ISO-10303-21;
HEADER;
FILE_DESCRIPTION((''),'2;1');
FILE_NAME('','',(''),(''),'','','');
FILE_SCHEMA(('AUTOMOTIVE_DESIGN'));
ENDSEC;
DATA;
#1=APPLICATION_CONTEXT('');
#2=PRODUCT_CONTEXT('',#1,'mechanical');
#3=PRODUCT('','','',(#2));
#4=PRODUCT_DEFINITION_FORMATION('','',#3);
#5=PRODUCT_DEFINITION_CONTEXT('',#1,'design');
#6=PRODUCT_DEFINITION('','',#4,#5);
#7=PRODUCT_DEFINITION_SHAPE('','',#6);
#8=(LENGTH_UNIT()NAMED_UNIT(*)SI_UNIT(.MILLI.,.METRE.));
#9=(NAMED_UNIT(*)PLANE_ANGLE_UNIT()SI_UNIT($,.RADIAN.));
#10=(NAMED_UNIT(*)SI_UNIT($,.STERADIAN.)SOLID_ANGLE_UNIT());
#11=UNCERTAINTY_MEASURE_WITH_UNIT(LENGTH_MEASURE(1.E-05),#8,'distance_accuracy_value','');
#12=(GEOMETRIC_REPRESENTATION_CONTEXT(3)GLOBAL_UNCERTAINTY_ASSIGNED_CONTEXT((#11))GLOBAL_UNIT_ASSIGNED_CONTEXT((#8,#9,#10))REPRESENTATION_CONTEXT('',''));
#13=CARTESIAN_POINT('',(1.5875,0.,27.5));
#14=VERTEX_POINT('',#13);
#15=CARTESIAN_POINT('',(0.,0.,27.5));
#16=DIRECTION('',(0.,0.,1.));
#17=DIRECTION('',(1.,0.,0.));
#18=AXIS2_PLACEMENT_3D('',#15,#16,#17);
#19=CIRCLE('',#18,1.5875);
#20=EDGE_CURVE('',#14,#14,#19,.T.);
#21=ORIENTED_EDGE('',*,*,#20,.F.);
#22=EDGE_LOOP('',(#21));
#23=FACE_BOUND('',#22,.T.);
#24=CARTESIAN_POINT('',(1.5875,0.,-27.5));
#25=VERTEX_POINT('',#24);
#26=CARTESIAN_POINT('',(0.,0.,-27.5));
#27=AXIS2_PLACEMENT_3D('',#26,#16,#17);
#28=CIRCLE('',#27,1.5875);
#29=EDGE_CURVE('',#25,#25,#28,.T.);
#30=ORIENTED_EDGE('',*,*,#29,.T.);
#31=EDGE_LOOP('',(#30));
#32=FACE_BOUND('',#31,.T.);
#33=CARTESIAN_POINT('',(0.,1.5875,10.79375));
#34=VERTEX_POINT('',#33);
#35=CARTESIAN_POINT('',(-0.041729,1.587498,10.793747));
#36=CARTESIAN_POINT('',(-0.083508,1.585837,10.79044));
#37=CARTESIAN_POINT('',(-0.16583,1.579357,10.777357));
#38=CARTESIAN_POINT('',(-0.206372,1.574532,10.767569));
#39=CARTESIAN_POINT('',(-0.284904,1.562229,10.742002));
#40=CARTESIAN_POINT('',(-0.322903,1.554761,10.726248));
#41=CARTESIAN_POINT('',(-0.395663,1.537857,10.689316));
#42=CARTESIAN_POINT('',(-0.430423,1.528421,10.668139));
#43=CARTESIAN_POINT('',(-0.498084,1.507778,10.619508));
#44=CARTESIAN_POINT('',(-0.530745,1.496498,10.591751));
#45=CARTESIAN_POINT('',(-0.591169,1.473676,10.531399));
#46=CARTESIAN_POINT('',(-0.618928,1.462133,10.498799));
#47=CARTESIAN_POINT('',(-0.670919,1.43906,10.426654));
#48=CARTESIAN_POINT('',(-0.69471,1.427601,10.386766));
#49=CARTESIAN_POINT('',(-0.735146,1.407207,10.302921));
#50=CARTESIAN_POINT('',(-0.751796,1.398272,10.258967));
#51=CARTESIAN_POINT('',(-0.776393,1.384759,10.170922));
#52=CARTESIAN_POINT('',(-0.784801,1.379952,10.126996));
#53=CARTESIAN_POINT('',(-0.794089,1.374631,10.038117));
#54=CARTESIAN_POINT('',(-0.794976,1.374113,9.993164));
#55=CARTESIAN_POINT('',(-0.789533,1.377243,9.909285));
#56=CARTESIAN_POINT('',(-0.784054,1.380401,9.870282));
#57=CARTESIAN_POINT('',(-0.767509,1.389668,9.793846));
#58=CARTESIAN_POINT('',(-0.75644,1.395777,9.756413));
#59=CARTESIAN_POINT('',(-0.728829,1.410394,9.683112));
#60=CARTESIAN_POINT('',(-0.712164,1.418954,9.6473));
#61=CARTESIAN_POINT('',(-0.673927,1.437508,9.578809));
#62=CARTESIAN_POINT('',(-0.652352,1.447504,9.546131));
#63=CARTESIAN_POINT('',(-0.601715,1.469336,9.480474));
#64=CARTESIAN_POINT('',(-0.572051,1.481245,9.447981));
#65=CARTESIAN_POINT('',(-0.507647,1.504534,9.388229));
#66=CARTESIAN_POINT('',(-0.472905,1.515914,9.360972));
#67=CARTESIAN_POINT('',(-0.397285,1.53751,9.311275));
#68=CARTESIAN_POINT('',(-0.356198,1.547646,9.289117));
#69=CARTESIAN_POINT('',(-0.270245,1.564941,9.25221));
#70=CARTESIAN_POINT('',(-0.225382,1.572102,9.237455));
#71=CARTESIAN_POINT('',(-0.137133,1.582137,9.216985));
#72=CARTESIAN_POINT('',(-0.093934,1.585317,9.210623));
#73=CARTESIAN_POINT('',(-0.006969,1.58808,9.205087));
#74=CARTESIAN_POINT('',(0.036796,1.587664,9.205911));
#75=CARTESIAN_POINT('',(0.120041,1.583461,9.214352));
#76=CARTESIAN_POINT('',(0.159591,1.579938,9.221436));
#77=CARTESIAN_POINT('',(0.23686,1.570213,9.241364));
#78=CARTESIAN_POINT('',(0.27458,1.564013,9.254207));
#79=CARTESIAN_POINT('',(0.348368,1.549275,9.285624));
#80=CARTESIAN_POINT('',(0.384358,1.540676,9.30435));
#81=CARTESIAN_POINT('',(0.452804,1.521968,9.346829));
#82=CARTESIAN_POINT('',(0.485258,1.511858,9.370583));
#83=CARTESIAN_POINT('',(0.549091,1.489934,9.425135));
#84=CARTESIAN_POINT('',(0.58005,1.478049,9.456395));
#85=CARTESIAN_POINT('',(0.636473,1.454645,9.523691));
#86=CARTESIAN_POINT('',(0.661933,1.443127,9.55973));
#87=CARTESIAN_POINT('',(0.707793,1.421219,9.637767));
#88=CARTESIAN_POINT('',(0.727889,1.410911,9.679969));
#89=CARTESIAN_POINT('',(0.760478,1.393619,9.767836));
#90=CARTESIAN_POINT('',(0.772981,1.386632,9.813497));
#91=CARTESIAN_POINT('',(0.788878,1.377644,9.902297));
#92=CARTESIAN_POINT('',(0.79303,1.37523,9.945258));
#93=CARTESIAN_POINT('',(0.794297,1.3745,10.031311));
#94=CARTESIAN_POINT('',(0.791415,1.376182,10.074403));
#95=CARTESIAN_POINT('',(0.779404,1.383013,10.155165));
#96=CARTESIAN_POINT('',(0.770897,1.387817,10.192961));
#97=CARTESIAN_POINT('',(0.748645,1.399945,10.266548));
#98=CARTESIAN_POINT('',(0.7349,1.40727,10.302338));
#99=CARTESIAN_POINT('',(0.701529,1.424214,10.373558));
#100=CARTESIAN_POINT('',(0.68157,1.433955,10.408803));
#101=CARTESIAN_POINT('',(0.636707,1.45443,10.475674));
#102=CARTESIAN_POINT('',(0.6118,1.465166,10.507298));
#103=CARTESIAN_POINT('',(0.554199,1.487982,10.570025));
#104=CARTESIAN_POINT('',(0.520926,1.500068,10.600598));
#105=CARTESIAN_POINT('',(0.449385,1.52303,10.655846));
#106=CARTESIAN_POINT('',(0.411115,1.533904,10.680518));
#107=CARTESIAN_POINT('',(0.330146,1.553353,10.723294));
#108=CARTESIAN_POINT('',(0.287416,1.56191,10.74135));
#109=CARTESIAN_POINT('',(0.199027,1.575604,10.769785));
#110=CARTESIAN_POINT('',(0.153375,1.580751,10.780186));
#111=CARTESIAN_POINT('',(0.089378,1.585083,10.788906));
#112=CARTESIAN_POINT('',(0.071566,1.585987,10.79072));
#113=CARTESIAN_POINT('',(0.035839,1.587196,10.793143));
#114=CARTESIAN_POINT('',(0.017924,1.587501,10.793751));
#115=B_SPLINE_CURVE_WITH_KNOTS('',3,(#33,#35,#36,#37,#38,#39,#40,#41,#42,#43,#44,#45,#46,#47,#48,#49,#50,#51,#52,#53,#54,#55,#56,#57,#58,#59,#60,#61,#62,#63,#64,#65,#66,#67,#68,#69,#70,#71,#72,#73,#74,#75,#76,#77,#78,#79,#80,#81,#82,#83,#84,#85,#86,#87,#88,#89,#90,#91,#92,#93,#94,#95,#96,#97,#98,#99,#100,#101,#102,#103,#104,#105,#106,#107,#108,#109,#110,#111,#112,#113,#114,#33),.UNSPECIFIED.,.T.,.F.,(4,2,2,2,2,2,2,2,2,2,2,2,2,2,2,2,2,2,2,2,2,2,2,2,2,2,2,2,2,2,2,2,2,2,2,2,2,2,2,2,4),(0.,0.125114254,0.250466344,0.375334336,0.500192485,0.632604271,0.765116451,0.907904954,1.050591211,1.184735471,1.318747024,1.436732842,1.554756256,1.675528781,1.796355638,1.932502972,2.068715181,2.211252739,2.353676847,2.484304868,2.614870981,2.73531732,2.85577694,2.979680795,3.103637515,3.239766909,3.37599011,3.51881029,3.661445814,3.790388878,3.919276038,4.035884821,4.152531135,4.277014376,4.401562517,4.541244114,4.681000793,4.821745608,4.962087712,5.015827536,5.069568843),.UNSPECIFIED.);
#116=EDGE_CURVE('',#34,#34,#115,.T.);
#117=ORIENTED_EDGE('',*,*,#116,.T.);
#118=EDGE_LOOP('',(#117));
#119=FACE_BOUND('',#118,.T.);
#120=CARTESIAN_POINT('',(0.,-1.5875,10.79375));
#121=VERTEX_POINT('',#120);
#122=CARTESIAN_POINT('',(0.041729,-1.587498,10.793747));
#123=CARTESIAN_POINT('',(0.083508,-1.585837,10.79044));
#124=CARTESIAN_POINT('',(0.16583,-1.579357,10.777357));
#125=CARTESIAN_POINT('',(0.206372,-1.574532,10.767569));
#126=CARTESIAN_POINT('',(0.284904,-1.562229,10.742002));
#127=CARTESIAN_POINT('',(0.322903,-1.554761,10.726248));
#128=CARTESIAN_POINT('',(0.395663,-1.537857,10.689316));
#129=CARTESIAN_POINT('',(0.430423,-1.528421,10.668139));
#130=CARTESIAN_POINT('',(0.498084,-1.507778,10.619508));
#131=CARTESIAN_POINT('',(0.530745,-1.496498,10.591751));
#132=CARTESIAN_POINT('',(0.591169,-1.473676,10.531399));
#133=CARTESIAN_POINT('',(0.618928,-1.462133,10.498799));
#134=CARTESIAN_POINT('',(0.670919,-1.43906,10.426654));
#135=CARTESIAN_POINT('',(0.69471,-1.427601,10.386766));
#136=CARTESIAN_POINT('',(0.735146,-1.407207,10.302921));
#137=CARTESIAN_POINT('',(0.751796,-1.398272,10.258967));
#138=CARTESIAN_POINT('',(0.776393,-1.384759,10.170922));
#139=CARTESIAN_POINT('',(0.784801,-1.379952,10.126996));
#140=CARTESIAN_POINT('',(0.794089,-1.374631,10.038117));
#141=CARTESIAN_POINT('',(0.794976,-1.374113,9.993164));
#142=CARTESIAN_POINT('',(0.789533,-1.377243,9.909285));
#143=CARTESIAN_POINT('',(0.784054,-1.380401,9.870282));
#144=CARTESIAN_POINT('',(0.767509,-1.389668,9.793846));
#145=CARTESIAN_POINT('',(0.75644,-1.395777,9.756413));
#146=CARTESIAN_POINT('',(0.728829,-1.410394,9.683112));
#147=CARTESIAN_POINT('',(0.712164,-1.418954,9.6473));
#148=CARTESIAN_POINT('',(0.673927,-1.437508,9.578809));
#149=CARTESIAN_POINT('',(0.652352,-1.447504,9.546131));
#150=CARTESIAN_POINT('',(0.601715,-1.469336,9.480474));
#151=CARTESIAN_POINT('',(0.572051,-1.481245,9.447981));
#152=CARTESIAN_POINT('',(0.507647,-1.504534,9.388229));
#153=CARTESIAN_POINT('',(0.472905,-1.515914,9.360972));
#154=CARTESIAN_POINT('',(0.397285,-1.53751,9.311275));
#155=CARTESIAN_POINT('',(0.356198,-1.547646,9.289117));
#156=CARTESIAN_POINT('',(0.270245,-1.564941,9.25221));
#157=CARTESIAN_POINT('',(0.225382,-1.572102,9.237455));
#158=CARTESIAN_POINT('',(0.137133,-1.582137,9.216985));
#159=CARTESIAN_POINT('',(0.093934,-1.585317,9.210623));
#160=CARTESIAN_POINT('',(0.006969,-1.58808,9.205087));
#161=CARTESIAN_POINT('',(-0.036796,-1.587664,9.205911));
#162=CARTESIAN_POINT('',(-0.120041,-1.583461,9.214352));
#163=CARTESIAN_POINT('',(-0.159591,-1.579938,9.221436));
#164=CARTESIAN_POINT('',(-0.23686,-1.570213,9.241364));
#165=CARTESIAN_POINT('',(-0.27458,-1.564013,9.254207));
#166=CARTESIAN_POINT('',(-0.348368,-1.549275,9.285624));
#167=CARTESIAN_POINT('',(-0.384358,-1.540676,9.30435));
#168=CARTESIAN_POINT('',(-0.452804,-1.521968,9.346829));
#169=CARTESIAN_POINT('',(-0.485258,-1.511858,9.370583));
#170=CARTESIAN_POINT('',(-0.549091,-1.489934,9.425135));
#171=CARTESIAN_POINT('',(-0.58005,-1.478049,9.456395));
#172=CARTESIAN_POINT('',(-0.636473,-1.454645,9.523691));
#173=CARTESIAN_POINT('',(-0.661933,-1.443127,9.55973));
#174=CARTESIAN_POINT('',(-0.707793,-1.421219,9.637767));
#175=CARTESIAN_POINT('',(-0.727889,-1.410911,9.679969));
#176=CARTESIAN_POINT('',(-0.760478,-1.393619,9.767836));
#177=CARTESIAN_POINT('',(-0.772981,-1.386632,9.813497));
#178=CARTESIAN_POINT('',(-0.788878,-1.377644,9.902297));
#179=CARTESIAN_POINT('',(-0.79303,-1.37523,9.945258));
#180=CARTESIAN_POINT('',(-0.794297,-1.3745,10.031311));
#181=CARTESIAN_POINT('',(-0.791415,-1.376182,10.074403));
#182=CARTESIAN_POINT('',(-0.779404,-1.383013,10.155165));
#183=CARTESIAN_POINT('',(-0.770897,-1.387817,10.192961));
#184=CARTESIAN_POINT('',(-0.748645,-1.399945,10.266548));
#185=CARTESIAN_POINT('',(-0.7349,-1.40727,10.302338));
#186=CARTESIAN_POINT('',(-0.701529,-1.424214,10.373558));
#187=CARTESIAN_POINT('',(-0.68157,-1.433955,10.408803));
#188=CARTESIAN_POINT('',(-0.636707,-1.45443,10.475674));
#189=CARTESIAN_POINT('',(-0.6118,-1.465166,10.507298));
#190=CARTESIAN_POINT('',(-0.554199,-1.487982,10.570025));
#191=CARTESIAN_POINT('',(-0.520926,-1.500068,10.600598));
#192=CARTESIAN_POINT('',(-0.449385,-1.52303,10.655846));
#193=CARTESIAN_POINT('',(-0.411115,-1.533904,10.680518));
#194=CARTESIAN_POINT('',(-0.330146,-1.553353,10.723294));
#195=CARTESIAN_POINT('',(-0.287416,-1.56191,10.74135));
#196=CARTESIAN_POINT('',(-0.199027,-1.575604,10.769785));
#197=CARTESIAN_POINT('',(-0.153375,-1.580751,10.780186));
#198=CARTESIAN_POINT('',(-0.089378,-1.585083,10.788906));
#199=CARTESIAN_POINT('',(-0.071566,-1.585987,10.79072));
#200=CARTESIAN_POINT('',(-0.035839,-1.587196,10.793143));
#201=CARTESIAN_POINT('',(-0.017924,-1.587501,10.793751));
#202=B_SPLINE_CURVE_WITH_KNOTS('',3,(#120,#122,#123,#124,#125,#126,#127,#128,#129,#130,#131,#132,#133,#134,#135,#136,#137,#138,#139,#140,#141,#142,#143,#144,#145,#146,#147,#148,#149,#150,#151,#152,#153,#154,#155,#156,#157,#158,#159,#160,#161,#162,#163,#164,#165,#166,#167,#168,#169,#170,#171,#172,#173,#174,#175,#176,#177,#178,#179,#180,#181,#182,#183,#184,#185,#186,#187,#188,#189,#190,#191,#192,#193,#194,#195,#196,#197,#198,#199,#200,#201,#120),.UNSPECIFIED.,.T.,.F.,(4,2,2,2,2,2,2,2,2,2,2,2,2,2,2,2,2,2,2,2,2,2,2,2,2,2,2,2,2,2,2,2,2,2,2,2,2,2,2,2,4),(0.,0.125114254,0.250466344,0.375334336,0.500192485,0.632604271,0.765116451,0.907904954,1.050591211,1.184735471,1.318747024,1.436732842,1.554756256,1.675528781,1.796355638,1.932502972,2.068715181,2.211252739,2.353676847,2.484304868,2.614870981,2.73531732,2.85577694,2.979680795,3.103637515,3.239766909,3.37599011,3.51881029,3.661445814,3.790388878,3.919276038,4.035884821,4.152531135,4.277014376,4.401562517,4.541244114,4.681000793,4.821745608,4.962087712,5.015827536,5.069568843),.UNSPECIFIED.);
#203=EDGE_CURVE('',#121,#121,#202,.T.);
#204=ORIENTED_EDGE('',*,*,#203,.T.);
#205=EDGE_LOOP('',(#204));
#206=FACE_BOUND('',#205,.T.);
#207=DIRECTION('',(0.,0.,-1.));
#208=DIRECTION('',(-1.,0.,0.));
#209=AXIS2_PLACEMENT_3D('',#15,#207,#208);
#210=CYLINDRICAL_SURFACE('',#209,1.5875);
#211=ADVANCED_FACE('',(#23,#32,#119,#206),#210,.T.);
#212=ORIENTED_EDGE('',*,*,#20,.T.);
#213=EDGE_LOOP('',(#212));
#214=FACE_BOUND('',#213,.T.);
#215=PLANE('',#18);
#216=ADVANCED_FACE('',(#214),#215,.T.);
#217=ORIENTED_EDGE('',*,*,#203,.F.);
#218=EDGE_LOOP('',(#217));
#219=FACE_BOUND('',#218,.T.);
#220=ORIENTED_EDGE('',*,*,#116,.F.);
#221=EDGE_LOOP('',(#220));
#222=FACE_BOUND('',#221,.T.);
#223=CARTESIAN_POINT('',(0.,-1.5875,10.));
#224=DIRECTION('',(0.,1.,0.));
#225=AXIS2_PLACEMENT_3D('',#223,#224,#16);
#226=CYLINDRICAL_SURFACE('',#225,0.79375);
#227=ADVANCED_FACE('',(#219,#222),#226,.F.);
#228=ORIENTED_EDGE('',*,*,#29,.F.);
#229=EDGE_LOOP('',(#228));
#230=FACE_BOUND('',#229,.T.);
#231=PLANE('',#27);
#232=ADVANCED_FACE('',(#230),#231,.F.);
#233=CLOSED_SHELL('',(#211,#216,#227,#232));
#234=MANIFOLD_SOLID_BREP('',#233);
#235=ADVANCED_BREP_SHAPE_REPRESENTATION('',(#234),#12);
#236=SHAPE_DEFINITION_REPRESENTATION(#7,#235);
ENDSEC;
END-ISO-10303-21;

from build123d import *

# Parameters (mm, degrees)
SKETCH1_R               = 1.5875
BOSS_EXTRUDE1_DEPTH     = 27.5
CUT_EXTRUDE1_DEPTH      = 28.591489856
CUT_EXTRUDE1_DEPTH_BACK = 28.591489856
SKETCH2_R               = 0.79375


with BuildPart() as part:
    # Sketch1 → Boss-Extrude1 (new, symmetric)
    with BuildSketch(Plane.XY):
        Circle(SKETCH1_R)
    extrude(amount=BOSS_EXTRUDE1_DEPTH, both=True)

    # Sketch2 → Cut-Extrude1 (cut, two sides: drawn at the far end of the back side and taken through both)
    with BuildSketch(Plane(origin=(0, 0, 0), x_dir=(1, 0, 0), z_dir=(0, 1, 0)).offset(-CUT_EXTRUDE1_DEPTH_BACK)):
        with Locations(Location((0, -10, 0), (0, 0, 270))):
            Circle(SKETCH2_R)
    extrude(amount=CUT_EXTRUDE1_DEPTH + CUT_EXTRUDE1_DEPTH_BACK, mode=Mode.SUBTRACT)


solid = part.part
